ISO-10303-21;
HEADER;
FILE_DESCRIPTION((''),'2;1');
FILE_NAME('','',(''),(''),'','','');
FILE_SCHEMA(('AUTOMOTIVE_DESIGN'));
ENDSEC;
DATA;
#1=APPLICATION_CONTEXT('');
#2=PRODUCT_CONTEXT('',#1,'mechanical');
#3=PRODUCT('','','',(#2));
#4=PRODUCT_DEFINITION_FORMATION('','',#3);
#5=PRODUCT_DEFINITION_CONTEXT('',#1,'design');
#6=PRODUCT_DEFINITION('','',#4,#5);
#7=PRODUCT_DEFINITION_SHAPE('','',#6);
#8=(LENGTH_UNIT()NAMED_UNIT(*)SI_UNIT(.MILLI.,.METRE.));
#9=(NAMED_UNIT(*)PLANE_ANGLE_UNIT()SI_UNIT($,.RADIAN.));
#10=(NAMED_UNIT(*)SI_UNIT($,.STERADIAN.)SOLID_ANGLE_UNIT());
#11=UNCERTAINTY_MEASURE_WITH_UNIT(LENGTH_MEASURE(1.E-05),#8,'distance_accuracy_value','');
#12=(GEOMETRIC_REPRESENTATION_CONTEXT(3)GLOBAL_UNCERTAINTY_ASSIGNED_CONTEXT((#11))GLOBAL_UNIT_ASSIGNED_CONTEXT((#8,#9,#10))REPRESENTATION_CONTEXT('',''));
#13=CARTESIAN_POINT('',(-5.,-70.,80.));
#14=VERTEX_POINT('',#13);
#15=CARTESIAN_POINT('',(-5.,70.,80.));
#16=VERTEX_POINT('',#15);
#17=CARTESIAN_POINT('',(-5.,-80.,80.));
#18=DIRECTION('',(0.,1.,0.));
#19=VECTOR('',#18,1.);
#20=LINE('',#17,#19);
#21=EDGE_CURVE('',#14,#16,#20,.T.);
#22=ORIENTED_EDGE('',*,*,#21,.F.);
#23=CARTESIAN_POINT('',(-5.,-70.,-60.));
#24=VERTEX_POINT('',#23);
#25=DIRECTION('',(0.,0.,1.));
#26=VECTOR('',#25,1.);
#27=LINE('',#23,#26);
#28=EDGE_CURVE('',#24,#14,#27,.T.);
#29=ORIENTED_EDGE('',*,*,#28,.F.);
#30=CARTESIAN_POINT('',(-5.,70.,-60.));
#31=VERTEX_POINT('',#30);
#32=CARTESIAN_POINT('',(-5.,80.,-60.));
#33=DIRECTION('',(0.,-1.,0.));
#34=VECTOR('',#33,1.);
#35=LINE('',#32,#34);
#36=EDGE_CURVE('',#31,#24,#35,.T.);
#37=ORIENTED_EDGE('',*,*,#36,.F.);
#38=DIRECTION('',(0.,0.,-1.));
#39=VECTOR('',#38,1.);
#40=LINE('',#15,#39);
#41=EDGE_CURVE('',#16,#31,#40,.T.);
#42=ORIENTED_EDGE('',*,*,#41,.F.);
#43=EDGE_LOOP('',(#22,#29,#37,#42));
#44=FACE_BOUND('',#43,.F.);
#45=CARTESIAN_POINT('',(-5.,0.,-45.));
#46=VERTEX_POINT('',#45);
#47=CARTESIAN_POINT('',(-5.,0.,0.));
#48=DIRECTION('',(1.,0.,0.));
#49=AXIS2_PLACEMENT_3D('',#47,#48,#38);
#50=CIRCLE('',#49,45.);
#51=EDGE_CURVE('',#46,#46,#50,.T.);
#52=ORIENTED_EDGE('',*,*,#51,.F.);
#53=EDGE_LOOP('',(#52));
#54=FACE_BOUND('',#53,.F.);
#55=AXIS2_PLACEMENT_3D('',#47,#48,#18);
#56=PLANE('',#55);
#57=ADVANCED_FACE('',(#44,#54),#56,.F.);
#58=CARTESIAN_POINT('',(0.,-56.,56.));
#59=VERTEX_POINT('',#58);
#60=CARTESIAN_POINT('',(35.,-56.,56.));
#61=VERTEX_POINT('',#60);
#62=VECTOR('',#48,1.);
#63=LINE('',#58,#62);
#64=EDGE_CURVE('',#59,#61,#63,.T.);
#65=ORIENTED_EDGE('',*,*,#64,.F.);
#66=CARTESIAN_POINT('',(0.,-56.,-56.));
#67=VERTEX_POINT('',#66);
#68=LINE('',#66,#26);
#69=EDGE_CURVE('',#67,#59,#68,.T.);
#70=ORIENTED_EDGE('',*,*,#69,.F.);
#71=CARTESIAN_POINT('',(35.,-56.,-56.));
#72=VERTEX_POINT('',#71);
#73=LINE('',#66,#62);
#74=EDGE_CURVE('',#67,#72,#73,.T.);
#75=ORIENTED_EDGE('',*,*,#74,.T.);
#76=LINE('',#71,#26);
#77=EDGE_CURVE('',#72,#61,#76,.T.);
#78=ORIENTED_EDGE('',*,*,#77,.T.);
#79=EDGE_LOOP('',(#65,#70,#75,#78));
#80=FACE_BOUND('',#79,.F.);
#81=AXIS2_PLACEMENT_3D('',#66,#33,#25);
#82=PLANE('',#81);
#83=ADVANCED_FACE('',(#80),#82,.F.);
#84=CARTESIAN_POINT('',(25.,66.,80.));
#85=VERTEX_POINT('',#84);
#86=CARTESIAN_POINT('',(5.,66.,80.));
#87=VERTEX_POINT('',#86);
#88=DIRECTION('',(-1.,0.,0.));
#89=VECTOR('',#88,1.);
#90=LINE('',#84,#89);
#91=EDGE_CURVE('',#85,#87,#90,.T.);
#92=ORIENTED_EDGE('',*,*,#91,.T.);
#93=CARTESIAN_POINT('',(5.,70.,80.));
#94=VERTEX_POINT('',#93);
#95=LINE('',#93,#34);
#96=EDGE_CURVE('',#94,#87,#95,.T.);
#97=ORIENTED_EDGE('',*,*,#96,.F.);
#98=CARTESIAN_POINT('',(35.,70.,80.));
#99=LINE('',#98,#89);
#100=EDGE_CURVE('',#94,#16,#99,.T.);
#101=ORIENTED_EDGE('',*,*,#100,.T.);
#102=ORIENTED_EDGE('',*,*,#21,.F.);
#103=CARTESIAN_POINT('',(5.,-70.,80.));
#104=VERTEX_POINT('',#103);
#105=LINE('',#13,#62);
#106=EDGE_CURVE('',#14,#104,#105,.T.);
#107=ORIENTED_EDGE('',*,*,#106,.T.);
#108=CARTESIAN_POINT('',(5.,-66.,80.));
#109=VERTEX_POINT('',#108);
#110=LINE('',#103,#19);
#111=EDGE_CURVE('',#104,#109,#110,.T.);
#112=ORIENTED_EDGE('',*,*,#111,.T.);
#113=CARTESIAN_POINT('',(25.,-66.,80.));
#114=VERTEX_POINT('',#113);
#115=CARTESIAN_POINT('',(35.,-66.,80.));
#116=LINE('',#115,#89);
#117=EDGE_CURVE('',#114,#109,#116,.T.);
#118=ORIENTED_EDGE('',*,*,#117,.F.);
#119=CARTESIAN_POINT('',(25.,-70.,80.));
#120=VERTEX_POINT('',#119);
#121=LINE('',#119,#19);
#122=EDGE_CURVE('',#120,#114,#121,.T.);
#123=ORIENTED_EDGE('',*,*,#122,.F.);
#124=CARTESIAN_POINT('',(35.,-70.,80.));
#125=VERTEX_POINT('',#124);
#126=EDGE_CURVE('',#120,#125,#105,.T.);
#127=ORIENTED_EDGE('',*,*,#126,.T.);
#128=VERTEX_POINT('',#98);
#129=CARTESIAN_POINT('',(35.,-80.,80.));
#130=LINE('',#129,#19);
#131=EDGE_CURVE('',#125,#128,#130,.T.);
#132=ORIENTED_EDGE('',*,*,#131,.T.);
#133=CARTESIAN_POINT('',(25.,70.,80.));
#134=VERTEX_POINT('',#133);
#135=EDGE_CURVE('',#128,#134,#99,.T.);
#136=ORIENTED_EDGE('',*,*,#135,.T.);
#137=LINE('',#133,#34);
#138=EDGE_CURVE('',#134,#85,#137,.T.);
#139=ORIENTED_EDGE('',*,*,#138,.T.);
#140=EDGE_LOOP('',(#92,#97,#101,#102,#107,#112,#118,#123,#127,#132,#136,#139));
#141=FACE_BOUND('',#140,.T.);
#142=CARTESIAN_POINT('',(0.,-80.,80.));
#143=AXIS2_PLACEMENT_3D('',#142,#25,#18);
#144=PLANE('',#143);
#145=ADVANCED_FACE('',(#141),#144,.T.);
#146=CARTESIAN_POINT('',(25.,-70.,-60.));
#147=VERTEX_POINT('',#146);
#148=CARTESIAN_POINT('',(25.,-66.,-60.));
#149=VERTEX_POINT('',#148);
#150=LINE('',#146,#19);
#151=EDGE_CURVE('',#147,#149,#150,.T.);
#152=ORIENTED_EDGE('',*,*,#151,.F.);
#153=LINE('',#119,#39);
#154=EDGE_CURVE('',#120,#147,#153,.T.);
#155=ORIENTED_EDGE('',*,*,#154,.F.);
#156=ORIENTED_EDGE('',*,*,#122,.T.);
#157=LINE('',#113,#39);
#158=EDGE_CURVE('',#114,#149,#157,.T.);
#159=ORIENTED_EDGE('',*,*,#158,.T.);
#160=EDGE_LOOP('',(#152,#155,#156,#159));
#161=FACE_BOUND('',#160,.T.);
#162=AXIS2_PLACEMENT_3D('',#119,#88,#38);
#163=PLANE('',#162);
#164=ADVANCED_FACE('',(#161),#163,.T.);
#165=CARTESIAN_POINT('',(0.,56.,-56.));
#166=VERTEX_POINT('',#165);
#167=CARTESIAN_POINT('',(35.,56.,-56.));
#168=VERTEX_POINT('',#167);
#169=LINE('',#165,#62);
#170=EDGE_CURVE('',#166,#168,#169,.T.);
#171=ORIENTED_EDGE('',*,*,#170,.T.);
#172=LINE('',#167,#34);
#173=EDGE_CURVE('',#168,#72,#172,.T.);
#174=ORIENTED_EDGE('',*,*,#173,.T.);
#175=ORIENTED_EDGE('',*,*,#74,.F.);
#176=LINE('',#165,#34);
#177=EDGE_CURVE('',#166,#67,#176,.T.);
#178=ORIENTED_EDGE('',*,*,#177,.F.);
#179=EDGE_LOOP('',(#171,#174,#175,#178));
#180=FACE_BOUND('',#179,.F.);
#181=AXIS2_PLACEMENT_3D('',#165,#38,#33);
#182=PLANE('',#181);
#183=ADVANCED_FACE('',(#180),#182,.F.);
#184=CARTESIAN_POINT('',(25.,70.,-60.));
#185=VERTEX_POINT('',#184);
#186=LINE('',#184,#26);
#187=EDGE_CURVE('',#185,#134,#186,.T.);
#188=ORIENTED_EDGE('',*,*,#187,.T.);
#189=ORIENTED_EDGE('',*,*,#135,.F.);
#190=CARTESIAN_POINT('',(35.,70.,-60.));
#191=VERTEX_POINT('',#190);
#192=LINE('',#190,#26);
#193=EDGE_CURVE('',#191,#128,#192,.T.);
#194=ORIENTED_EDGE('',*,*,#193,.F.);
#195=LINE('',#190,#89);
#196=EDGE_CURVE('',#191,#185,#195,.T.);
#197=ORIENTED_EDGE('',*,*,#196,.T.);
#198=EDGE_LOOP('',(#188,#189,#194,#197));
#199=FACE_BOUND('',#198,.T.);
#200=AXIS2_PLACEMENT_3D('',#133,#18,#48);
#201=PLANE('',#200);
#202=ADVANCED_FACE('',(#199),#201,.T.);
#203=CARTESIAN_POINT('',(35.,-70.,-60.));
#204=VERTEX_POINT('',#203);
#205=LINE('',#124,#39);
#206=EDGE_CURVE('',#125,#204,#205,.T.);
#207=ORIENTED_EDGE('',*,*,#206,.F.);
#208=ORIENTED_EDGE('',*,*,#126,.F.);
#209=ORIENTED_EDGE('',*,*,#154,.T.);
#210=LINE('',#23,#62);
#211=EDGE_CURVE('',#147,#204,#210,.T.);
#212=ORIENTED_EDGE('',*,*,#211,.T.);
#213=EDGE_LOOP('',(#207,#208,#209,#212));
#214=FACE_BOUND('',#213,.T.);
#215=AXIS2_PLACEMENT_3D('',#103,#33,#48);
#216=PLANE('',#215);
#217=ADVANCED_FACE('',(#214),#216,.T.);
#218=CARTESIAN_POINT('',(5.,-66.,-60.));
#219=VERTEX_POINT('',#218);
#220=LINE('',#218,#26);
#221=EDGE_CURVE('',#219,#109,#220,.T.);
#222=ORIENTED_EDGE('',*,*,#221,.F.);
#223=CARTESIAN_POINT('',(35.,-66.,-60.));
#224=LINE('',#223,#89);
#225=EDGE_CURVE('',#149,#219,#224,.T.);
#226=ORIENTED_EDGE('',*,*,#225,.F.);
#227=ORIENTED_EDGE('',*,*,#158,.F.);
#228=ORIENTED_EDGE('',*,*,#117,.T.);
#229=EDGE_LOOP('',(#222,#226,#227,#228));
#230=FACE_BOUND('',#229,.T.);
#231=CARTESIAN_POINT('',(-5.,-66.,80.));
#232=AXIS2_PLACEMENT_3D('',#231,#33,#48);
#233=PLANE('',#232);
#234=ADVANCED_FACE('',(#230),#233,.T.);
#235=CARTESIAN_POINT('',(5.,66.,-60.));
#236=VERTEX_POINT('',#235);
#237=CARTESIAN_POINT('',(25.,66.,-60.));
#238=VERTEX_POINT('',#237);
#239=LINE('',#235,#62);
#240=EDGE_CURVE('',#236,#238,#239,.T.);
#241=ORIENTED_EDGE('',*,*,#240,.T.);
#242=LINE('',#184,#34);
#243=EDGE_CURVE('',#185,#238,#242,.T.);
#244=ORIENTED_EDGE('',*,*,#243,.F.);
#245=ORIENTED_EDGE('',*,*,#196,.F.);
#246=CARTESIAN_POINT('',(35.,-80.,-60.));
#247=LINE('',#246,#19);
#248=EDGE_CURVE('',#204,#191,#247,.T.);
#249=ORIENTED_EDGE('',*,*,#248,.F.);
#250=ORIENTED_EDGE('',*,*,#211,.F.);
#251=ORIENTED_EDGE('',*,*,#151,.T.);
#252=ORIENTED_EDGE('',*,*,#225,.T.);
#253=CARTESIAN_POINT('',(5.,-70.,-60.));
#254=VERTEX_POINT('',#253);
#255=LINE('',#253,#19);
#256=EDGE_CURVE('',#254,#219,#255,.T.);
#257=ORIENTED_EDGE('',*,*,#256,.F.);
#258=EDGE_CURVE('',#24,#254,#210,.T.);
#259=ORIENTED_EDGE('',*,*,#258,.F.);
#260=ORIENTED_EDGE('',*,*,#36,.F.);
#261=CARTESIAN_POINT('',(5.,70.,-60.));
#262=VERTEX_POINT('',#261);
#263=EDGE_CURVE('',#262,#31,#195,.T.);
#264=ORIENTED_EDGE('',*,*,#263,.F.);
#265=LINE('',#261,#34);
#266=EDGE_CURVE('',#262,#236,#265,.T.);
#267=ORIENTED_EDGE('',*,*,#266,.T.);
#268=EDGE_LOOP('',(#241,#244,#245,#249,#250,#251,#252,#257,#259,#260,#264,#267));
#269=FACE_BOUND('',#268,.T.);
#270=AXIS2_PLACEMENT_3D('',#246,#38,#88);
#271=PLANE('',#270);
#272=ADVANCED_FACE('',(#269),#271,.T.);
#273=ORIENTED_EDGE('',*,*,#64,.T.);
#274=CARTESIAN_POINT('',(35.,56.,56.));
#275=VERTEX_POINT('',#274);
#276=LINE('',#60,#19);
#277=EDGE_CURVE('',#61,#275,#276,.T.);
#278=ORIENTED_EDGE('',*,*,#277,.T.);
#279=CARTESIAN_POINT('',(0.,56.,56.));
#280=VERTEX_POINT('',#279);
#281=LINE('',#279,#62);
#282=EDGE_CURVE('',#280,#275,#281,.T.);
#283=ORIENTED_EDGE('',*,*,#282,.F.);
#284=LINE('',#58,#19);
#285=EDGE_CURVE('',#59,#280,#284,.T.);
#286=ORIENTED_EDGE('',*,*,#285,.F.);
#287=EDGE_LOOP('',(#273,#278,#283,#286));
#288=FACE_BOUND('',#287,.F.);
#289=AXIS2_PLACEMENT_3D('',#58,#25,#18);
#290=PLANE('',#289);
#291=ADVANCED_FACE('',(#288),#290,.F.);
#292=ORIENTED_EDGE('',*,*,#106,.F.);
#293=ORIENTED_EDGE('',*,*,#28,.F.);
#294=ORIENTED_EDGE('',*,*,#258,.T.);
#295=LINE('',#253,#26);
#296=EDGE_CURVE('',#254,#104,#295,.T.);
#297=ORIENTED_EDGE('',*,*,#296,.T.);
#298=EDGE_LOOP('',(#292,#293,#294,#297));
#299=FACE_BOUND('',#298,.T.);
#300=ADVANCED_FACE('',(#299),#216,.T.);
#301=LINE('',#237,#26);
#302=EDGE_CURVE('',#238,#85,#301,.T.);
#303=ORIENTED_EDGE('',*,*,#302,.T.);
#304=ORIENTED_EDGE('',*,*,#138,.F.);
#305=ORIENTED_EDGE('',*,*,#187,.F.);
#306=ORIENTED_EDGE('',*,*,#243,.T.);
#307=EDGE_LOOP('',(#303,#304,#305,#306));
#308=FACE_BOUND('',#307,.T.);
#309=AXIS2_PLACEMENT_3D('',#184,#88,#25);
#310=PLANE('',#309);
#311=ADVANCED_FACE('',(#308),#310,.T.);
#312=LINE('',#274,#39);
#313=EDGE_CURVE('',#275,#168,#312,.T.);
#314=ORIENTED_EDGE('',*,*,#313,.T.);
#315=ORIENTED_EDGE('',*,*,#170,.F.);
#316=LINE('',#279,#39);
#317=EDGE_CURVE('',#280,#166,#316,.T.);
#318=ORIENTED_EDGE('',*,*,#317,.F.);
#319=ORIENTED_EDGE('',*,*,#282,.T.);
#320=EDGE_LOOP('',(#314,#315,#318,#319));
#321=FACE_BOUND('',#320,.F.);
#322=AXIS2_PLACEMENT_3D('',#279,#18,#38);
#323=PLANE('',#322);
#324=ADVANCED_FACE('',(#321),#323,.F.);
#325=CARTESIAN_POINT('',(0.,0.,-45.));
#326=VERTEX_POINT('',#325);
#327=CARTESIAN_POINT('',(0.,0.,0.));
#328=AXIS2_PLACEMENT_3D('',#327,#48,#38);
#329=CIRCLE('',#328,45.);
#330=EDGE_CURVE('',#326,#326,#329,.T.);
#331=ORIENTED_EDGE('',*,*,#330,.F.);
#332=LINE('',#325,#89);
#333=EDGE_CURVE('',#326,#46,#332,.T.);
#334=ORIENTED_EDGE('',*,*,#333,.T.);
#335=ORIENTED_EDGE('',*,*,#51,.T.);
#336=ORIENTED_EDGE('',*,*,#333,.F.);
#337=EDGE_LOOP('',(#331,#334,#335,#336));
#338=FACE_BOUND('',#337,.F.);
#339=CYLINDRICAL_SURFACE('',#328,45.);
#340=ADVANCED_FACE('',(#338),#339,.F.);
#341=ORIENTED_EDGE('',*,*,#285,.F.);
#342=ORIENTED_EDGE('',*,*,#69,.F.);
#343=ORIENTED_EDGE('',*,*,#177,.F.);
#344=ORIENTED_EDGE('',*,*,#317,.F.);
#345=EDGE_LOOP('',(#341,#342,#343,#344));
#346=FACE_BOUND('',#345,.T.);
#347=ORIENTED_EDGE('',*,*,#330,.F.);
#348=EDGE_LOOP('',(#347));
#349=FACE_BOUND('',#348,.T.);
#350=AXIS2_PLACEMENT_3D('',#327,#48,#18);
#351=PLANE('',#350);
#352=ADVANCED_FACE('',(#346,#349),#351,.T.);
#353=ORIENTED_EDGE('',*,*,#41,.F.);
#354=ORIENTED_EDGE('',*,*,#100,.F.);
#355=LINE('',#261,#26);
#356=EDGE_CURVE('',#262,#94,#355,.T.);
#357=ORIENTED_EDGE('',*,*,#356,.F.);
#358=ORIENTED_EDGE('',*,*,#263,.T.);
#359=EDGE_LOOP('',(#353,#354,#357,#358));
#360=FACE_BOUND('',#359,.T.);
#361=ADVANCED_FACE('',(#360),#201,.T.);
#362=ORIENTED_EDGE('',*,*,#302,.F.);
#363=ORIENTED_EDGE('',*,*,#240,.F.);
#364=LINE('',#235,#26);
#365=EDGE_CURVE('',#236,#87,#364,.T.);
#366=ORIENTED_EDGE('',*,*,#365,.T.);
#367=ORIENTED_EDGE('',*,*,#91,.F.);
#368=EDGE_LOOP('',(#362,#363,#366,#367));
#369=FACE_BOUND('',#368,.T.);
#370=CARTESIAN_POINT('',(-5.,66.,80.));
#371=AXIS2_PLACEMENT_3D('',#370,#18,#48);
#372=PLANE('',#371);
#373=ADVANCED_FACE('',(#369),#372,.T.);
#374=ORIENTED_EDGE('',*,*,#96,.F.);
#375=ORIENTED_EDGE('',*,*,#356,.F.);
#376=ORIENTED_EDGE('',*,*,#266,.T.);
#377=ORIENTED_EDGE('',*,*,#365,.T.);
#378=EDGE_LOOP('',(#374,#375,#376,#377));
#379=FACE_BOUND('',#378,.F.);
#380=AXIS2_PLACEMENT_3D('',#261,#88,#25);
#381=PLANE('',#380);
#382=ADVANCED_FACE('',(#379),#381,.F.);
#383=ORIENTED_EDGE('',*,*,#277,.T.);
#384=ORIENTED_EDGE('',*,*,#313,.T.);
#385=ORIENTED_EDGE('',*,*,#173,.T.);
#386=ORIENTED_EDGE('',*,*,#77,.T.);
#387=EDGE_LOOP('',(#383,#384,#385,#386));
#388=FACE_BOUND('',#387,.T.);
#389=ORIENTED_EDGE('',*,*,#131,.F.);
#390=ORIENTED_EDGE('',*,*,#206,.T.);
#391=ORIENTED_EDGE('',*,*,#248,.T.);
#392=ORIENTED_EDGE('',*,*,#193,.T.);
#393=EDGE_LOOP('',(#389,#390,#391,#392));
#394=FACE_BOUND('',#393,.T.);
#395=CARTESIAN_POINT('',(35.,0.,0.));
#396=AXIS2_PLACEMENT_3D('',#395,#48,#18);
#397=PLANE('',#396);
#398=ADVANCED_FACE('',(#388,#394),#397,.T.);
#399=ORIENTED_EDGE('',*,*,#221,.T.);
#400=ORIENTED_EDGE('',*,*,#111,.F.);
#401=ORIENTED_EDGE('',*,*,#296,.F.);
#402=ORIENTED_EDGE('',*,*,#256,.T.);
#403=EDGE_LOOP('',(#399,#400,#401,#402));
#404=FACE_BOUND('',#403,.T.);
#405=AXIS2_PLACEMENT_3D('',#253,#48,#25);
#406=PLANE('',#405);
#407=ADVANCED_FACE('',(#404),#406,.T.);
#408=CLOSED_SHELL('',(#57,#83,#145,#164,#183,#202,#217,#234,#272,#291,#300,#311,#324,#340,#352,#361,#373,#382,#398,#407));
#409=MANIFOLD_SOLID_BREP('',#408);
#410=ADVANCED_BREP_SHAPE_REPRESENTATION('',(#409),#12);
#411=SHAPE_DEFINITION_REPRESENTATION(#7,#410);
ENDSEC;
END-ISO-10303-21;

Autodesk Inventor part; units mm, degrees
ref_plane "YZ Plane" through (0, 0, 0) normal (1, 0, 0) x (0, 1, 0)
ref_plane "XZ Plane" through (0, 0, 0) normal (0, 1, 0) x (-1, 0, 0)
ref_plane "XY Plane" through (0, 0, 0) normal (0, 0, 1) x (1, 0, 0)
sketch "Sketch1" plane through (0, 0, 0) normal (1, 0, 0) x (0, 1, 0)
  line L0 (-56, 56) -> (56, 56)
  line L1 (56, 56) -> (56, -56)
  line L2 (56, -56) -> (-56, -56)
  line L3 (-56, -56) -> (-56, 56)
  line L4 (-56, 56) -> (56, -56) construction
  line L5 (56, 56) -> (-56, -56) construction
  line L6 (-80, 80) -> (80, 80)
  line L7 (80, 80) -> (80, -80)
  line L8 (80, -80) -> (-80, -80)
  line L9 (-80, -80) -> (-80, 80)
  line L10 (-80, 80) -> (80, -80) construction
  line L11 (80, 80) -> (-80, -80) construction
  point P0 (0, 0)
  dimension "d0" = 112
  dimension "d1" = 112
  dimension "d2" = 160
  dimension "d3" = 160
extrude "Extrusion1" add sketch "Sketch1" along normal blind 35
extrude "Extrusion2" add sketch "Sketch1" against normal blind 5 contours L0 L1 L2 L3 | L6 L7 L8 L9
sketch "Sketch2" plane through (0, 0, 0) normal (1, 0, 0) x (0, 0, -1)
  circle A0 centre (0, 0) radius 45
  dimension "d8" = 90
extrude "Extrusion3" cut sketch "Sketch2" against normal through all
sketch "Sketch3" plane through (35, -80, 80) normal (0, 0, 1) x (1, 0, 0)
  line L0 (-35, 136) -> (-35, 24) projected
  line L1 (-35, 24) -> (0, 24) projected
  line L2 (-35, 136) -> (0, 136) projected
  line L3 (0, 0) -> (-40, 0) projected
  line L4 (-30, 0) -> (-30, 10)
  line L5 (-30, 10) -> (-10, 10)
  line L6 (-10, 10) -> (-10, 0)
  line L7 (0, 160) -> (0, 0) projected
  line L8 (-40, 0) -> (0, 0) projected
  line L9 (0, 160) -> (0, 0) projected
  line L10 (0, 160) -> (-40, 160) projected
  line L11 (-40, 0) -> (-40, 160) projected
  line L12 (-17.5, 80) -> (-40, 80)
  line L13 (-30, 0) -> (-10, 0)
  line L14 (-30, 160) -> (-30, 150)
  line L15 (-30, 150) -> (-10, 150)
  line L16 (-10, 150) -> (-10, 160)
  line L17 (-30, 160) -> (-10, 160)
  point P0 (-35, 80)
  dimension "d11" = 20
  dimension "d12" = 10
  dimension "d13" = 10
extrude "Extrusion4" cut sketch "Sketch3" against normal through all contours L16 L15 L14 L10 | L4 L5 L6 L3
sketch "Sketch4" plane through (35, -80, -80) normal (0, 0, -1) x (-1, 0, 0)
  line L0 (0, 0) -> (0, 160) projected
  line L1 (40, 160) -> (40, 0) projected
  line L2 (0, 0) -> (40, 0)
  line L3 (40, 0) -> (40, 160)
  line L4 (40, 160) -> (0, 160)
  line L5 (0, 160) -> (0, 0)
  point P0 (35, 80)
extrude "Extrusion5" cut sketch "Sketch4" against normal blind 20
sketch "Sketch5" plane through (25, -80, 80) normal (0, -1, 0) x (1, 0, 0)
  line L0 (-30, -140) -> (-30, 0) projected
  line L1 (-30, 0) -> (10, 0)
  line L2 (10, 0) -> (10, -140)
  line L3 (10, -140) -> (-30, -140)
  line L4 (-30, -140) -> (-30, 0)
  point P0 (-25, -80)
extrude "Extrusion6" cut sketch "Sketch5" against normal blind 10
sketch "Sketch6" plane through (25, 80, 80) normal (0, 1, 0) x (1, 0, 0)
  line L0 (10, 0) -> (0, 0) projected
  line L1 (-30, 0) -> (-30, 140) projected
  line L2 (10, 0) -> (-30, 0)
  line L3 (-30, 0) -> (-30, 140)
  line L4 (-30, 140) -> (10, 140)
  line L5 (10, 140) -> (10, 0)
  point P0 (-25, 80)
extrude "Extrusion7" cut sketch "Sketch6" against normal blind 10
sketch "Sketch7" plane through (-5, -70, 80) normal (0, -1, 0) x (1, 0, 0)
  line L0 (40, 0) -> (0, 0) projected
  line L1 (40, -140) -> (0, -140) projected
  line L2 (10, 0) -> (30, 0)
  line L3 (30, 0) -> (30, -140)
  line L4 (30, -140) -> (10, -140)
  line L5 (10, -140) -> (10, 0)
  point P0 (5, -80)
  dimension "d22" = 20
extrude "Extrusion8" cut sketch "Sketch7" against normal blind 4
sketch "Sketch8" plane through (-5, 70, 80) normal (0, 1, 0) x (1, 0, 0)
  line L0 (30, 0) -> (40, 0) projected
  line L1 (10, 140) -> (10, 0) projected
  line L2 (30, 0) -> (10, 0)
  line L3 (10, 0) -> (10, 140)
  line L4 (10, 140) -> (30, 140)
  line L5 (30, 140) -> (30, 0)
  point P0 (5, 80)
extrude "Extrusion9" cut sketch "Sketch8" against normal blind 4
properties part number "LeadScrewBox"
